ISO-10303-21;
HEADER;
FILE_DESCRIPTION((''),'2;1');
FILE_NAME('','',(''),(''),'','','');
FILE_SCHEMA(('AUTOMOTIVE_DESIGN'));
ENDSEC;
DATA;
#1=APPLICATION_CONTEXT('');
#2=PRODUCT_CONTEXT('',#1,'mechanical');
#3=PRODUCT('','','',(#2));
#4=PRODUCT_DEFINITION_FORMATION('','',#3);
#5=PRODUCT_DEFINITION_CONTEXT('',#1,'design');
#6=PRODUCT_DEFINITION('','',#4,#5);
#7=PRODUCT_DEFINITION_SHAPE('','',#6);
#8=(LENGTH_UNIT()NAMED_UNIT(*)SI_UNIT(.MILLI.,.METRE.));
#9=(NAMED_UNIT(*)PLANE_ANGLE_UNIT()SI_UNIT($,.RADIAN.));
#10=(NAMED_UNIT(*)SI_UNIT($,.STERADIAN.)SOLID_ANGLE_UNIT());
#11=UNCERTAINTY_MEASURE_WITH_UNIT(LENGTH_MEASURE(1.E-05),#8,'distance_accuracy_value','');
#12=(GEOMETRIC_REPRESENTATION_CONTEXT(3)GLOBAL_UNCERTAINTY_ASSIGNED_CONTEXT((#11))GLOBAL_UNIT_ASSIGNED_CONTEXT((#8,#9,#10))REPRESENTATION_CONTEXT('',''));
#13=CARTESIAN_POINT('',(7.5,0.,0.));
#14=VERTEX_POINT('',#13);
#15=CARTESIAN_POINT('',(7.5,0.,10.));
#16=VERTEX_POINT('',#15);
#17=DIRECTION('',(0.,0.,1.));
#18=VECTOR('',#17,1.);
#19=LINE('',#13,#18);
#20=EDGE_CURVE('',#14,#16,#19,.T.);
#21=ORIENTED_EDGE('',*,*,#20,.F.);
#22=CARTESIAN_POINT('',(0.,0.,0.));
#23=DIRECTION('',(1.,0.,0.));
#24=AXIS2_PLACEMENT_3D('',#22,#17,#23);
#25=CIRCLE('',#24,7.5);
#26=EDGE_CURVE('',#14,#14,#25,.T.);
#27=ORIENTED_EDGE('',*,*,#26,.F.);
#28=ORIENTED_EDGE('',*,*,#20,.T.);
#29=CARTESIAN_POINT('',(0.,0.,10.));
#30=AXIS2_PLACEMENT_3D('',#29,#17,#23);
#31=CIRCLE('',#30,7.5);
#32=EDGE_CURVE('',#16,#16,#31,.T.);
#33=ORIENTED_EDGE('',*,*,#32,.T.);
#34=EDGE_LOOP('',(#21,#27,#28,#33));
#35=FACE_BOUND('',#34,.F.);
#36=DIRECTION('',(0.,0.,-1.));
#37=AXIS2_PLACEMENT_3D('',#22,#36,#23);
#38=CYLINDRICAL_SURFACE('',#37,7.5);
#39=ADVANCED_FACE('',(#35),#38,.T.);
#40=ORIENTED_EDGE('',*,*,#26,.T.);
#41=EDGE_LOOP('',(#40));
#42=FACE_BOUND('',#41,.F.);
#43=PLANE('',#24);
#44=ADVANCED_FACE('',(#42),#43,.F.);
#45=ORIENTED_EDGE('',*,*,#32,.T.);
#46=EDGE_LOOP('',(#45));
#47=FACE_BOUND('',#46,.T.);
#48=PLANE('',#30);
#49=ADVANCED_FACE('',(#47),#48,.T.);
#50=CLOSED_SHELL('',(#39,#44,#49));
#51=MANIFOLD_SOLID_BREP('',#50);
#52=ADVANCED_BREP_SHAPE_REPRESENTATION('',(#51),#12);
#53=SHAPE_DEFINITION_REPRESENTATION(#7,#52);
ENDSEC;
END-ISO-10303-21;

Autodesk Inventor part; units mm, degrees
ref_plane "YZ Plane" through (0, 0, 0) normal (1, 0, 0) x (0, 1, 0)
ref_plane "XZ Plane" through (0, 0, 0) normal (0, 1, 0) x (-1, 0, 0)
ref_plane "XY Plane" through (0, 0, 0) normal (0, 0, 1) x (1, 0, 0)
sketch "Szkic1" plane through (0, 0, 0) normal (0, 0, 1) x (1, 0, 0)
  circle A0 centre (0, 0) radius 7.5
  dimension "d0" = 15
extrude "Wyciągnięcie proste1" add sketch "Szkic1" along normal blind 10
